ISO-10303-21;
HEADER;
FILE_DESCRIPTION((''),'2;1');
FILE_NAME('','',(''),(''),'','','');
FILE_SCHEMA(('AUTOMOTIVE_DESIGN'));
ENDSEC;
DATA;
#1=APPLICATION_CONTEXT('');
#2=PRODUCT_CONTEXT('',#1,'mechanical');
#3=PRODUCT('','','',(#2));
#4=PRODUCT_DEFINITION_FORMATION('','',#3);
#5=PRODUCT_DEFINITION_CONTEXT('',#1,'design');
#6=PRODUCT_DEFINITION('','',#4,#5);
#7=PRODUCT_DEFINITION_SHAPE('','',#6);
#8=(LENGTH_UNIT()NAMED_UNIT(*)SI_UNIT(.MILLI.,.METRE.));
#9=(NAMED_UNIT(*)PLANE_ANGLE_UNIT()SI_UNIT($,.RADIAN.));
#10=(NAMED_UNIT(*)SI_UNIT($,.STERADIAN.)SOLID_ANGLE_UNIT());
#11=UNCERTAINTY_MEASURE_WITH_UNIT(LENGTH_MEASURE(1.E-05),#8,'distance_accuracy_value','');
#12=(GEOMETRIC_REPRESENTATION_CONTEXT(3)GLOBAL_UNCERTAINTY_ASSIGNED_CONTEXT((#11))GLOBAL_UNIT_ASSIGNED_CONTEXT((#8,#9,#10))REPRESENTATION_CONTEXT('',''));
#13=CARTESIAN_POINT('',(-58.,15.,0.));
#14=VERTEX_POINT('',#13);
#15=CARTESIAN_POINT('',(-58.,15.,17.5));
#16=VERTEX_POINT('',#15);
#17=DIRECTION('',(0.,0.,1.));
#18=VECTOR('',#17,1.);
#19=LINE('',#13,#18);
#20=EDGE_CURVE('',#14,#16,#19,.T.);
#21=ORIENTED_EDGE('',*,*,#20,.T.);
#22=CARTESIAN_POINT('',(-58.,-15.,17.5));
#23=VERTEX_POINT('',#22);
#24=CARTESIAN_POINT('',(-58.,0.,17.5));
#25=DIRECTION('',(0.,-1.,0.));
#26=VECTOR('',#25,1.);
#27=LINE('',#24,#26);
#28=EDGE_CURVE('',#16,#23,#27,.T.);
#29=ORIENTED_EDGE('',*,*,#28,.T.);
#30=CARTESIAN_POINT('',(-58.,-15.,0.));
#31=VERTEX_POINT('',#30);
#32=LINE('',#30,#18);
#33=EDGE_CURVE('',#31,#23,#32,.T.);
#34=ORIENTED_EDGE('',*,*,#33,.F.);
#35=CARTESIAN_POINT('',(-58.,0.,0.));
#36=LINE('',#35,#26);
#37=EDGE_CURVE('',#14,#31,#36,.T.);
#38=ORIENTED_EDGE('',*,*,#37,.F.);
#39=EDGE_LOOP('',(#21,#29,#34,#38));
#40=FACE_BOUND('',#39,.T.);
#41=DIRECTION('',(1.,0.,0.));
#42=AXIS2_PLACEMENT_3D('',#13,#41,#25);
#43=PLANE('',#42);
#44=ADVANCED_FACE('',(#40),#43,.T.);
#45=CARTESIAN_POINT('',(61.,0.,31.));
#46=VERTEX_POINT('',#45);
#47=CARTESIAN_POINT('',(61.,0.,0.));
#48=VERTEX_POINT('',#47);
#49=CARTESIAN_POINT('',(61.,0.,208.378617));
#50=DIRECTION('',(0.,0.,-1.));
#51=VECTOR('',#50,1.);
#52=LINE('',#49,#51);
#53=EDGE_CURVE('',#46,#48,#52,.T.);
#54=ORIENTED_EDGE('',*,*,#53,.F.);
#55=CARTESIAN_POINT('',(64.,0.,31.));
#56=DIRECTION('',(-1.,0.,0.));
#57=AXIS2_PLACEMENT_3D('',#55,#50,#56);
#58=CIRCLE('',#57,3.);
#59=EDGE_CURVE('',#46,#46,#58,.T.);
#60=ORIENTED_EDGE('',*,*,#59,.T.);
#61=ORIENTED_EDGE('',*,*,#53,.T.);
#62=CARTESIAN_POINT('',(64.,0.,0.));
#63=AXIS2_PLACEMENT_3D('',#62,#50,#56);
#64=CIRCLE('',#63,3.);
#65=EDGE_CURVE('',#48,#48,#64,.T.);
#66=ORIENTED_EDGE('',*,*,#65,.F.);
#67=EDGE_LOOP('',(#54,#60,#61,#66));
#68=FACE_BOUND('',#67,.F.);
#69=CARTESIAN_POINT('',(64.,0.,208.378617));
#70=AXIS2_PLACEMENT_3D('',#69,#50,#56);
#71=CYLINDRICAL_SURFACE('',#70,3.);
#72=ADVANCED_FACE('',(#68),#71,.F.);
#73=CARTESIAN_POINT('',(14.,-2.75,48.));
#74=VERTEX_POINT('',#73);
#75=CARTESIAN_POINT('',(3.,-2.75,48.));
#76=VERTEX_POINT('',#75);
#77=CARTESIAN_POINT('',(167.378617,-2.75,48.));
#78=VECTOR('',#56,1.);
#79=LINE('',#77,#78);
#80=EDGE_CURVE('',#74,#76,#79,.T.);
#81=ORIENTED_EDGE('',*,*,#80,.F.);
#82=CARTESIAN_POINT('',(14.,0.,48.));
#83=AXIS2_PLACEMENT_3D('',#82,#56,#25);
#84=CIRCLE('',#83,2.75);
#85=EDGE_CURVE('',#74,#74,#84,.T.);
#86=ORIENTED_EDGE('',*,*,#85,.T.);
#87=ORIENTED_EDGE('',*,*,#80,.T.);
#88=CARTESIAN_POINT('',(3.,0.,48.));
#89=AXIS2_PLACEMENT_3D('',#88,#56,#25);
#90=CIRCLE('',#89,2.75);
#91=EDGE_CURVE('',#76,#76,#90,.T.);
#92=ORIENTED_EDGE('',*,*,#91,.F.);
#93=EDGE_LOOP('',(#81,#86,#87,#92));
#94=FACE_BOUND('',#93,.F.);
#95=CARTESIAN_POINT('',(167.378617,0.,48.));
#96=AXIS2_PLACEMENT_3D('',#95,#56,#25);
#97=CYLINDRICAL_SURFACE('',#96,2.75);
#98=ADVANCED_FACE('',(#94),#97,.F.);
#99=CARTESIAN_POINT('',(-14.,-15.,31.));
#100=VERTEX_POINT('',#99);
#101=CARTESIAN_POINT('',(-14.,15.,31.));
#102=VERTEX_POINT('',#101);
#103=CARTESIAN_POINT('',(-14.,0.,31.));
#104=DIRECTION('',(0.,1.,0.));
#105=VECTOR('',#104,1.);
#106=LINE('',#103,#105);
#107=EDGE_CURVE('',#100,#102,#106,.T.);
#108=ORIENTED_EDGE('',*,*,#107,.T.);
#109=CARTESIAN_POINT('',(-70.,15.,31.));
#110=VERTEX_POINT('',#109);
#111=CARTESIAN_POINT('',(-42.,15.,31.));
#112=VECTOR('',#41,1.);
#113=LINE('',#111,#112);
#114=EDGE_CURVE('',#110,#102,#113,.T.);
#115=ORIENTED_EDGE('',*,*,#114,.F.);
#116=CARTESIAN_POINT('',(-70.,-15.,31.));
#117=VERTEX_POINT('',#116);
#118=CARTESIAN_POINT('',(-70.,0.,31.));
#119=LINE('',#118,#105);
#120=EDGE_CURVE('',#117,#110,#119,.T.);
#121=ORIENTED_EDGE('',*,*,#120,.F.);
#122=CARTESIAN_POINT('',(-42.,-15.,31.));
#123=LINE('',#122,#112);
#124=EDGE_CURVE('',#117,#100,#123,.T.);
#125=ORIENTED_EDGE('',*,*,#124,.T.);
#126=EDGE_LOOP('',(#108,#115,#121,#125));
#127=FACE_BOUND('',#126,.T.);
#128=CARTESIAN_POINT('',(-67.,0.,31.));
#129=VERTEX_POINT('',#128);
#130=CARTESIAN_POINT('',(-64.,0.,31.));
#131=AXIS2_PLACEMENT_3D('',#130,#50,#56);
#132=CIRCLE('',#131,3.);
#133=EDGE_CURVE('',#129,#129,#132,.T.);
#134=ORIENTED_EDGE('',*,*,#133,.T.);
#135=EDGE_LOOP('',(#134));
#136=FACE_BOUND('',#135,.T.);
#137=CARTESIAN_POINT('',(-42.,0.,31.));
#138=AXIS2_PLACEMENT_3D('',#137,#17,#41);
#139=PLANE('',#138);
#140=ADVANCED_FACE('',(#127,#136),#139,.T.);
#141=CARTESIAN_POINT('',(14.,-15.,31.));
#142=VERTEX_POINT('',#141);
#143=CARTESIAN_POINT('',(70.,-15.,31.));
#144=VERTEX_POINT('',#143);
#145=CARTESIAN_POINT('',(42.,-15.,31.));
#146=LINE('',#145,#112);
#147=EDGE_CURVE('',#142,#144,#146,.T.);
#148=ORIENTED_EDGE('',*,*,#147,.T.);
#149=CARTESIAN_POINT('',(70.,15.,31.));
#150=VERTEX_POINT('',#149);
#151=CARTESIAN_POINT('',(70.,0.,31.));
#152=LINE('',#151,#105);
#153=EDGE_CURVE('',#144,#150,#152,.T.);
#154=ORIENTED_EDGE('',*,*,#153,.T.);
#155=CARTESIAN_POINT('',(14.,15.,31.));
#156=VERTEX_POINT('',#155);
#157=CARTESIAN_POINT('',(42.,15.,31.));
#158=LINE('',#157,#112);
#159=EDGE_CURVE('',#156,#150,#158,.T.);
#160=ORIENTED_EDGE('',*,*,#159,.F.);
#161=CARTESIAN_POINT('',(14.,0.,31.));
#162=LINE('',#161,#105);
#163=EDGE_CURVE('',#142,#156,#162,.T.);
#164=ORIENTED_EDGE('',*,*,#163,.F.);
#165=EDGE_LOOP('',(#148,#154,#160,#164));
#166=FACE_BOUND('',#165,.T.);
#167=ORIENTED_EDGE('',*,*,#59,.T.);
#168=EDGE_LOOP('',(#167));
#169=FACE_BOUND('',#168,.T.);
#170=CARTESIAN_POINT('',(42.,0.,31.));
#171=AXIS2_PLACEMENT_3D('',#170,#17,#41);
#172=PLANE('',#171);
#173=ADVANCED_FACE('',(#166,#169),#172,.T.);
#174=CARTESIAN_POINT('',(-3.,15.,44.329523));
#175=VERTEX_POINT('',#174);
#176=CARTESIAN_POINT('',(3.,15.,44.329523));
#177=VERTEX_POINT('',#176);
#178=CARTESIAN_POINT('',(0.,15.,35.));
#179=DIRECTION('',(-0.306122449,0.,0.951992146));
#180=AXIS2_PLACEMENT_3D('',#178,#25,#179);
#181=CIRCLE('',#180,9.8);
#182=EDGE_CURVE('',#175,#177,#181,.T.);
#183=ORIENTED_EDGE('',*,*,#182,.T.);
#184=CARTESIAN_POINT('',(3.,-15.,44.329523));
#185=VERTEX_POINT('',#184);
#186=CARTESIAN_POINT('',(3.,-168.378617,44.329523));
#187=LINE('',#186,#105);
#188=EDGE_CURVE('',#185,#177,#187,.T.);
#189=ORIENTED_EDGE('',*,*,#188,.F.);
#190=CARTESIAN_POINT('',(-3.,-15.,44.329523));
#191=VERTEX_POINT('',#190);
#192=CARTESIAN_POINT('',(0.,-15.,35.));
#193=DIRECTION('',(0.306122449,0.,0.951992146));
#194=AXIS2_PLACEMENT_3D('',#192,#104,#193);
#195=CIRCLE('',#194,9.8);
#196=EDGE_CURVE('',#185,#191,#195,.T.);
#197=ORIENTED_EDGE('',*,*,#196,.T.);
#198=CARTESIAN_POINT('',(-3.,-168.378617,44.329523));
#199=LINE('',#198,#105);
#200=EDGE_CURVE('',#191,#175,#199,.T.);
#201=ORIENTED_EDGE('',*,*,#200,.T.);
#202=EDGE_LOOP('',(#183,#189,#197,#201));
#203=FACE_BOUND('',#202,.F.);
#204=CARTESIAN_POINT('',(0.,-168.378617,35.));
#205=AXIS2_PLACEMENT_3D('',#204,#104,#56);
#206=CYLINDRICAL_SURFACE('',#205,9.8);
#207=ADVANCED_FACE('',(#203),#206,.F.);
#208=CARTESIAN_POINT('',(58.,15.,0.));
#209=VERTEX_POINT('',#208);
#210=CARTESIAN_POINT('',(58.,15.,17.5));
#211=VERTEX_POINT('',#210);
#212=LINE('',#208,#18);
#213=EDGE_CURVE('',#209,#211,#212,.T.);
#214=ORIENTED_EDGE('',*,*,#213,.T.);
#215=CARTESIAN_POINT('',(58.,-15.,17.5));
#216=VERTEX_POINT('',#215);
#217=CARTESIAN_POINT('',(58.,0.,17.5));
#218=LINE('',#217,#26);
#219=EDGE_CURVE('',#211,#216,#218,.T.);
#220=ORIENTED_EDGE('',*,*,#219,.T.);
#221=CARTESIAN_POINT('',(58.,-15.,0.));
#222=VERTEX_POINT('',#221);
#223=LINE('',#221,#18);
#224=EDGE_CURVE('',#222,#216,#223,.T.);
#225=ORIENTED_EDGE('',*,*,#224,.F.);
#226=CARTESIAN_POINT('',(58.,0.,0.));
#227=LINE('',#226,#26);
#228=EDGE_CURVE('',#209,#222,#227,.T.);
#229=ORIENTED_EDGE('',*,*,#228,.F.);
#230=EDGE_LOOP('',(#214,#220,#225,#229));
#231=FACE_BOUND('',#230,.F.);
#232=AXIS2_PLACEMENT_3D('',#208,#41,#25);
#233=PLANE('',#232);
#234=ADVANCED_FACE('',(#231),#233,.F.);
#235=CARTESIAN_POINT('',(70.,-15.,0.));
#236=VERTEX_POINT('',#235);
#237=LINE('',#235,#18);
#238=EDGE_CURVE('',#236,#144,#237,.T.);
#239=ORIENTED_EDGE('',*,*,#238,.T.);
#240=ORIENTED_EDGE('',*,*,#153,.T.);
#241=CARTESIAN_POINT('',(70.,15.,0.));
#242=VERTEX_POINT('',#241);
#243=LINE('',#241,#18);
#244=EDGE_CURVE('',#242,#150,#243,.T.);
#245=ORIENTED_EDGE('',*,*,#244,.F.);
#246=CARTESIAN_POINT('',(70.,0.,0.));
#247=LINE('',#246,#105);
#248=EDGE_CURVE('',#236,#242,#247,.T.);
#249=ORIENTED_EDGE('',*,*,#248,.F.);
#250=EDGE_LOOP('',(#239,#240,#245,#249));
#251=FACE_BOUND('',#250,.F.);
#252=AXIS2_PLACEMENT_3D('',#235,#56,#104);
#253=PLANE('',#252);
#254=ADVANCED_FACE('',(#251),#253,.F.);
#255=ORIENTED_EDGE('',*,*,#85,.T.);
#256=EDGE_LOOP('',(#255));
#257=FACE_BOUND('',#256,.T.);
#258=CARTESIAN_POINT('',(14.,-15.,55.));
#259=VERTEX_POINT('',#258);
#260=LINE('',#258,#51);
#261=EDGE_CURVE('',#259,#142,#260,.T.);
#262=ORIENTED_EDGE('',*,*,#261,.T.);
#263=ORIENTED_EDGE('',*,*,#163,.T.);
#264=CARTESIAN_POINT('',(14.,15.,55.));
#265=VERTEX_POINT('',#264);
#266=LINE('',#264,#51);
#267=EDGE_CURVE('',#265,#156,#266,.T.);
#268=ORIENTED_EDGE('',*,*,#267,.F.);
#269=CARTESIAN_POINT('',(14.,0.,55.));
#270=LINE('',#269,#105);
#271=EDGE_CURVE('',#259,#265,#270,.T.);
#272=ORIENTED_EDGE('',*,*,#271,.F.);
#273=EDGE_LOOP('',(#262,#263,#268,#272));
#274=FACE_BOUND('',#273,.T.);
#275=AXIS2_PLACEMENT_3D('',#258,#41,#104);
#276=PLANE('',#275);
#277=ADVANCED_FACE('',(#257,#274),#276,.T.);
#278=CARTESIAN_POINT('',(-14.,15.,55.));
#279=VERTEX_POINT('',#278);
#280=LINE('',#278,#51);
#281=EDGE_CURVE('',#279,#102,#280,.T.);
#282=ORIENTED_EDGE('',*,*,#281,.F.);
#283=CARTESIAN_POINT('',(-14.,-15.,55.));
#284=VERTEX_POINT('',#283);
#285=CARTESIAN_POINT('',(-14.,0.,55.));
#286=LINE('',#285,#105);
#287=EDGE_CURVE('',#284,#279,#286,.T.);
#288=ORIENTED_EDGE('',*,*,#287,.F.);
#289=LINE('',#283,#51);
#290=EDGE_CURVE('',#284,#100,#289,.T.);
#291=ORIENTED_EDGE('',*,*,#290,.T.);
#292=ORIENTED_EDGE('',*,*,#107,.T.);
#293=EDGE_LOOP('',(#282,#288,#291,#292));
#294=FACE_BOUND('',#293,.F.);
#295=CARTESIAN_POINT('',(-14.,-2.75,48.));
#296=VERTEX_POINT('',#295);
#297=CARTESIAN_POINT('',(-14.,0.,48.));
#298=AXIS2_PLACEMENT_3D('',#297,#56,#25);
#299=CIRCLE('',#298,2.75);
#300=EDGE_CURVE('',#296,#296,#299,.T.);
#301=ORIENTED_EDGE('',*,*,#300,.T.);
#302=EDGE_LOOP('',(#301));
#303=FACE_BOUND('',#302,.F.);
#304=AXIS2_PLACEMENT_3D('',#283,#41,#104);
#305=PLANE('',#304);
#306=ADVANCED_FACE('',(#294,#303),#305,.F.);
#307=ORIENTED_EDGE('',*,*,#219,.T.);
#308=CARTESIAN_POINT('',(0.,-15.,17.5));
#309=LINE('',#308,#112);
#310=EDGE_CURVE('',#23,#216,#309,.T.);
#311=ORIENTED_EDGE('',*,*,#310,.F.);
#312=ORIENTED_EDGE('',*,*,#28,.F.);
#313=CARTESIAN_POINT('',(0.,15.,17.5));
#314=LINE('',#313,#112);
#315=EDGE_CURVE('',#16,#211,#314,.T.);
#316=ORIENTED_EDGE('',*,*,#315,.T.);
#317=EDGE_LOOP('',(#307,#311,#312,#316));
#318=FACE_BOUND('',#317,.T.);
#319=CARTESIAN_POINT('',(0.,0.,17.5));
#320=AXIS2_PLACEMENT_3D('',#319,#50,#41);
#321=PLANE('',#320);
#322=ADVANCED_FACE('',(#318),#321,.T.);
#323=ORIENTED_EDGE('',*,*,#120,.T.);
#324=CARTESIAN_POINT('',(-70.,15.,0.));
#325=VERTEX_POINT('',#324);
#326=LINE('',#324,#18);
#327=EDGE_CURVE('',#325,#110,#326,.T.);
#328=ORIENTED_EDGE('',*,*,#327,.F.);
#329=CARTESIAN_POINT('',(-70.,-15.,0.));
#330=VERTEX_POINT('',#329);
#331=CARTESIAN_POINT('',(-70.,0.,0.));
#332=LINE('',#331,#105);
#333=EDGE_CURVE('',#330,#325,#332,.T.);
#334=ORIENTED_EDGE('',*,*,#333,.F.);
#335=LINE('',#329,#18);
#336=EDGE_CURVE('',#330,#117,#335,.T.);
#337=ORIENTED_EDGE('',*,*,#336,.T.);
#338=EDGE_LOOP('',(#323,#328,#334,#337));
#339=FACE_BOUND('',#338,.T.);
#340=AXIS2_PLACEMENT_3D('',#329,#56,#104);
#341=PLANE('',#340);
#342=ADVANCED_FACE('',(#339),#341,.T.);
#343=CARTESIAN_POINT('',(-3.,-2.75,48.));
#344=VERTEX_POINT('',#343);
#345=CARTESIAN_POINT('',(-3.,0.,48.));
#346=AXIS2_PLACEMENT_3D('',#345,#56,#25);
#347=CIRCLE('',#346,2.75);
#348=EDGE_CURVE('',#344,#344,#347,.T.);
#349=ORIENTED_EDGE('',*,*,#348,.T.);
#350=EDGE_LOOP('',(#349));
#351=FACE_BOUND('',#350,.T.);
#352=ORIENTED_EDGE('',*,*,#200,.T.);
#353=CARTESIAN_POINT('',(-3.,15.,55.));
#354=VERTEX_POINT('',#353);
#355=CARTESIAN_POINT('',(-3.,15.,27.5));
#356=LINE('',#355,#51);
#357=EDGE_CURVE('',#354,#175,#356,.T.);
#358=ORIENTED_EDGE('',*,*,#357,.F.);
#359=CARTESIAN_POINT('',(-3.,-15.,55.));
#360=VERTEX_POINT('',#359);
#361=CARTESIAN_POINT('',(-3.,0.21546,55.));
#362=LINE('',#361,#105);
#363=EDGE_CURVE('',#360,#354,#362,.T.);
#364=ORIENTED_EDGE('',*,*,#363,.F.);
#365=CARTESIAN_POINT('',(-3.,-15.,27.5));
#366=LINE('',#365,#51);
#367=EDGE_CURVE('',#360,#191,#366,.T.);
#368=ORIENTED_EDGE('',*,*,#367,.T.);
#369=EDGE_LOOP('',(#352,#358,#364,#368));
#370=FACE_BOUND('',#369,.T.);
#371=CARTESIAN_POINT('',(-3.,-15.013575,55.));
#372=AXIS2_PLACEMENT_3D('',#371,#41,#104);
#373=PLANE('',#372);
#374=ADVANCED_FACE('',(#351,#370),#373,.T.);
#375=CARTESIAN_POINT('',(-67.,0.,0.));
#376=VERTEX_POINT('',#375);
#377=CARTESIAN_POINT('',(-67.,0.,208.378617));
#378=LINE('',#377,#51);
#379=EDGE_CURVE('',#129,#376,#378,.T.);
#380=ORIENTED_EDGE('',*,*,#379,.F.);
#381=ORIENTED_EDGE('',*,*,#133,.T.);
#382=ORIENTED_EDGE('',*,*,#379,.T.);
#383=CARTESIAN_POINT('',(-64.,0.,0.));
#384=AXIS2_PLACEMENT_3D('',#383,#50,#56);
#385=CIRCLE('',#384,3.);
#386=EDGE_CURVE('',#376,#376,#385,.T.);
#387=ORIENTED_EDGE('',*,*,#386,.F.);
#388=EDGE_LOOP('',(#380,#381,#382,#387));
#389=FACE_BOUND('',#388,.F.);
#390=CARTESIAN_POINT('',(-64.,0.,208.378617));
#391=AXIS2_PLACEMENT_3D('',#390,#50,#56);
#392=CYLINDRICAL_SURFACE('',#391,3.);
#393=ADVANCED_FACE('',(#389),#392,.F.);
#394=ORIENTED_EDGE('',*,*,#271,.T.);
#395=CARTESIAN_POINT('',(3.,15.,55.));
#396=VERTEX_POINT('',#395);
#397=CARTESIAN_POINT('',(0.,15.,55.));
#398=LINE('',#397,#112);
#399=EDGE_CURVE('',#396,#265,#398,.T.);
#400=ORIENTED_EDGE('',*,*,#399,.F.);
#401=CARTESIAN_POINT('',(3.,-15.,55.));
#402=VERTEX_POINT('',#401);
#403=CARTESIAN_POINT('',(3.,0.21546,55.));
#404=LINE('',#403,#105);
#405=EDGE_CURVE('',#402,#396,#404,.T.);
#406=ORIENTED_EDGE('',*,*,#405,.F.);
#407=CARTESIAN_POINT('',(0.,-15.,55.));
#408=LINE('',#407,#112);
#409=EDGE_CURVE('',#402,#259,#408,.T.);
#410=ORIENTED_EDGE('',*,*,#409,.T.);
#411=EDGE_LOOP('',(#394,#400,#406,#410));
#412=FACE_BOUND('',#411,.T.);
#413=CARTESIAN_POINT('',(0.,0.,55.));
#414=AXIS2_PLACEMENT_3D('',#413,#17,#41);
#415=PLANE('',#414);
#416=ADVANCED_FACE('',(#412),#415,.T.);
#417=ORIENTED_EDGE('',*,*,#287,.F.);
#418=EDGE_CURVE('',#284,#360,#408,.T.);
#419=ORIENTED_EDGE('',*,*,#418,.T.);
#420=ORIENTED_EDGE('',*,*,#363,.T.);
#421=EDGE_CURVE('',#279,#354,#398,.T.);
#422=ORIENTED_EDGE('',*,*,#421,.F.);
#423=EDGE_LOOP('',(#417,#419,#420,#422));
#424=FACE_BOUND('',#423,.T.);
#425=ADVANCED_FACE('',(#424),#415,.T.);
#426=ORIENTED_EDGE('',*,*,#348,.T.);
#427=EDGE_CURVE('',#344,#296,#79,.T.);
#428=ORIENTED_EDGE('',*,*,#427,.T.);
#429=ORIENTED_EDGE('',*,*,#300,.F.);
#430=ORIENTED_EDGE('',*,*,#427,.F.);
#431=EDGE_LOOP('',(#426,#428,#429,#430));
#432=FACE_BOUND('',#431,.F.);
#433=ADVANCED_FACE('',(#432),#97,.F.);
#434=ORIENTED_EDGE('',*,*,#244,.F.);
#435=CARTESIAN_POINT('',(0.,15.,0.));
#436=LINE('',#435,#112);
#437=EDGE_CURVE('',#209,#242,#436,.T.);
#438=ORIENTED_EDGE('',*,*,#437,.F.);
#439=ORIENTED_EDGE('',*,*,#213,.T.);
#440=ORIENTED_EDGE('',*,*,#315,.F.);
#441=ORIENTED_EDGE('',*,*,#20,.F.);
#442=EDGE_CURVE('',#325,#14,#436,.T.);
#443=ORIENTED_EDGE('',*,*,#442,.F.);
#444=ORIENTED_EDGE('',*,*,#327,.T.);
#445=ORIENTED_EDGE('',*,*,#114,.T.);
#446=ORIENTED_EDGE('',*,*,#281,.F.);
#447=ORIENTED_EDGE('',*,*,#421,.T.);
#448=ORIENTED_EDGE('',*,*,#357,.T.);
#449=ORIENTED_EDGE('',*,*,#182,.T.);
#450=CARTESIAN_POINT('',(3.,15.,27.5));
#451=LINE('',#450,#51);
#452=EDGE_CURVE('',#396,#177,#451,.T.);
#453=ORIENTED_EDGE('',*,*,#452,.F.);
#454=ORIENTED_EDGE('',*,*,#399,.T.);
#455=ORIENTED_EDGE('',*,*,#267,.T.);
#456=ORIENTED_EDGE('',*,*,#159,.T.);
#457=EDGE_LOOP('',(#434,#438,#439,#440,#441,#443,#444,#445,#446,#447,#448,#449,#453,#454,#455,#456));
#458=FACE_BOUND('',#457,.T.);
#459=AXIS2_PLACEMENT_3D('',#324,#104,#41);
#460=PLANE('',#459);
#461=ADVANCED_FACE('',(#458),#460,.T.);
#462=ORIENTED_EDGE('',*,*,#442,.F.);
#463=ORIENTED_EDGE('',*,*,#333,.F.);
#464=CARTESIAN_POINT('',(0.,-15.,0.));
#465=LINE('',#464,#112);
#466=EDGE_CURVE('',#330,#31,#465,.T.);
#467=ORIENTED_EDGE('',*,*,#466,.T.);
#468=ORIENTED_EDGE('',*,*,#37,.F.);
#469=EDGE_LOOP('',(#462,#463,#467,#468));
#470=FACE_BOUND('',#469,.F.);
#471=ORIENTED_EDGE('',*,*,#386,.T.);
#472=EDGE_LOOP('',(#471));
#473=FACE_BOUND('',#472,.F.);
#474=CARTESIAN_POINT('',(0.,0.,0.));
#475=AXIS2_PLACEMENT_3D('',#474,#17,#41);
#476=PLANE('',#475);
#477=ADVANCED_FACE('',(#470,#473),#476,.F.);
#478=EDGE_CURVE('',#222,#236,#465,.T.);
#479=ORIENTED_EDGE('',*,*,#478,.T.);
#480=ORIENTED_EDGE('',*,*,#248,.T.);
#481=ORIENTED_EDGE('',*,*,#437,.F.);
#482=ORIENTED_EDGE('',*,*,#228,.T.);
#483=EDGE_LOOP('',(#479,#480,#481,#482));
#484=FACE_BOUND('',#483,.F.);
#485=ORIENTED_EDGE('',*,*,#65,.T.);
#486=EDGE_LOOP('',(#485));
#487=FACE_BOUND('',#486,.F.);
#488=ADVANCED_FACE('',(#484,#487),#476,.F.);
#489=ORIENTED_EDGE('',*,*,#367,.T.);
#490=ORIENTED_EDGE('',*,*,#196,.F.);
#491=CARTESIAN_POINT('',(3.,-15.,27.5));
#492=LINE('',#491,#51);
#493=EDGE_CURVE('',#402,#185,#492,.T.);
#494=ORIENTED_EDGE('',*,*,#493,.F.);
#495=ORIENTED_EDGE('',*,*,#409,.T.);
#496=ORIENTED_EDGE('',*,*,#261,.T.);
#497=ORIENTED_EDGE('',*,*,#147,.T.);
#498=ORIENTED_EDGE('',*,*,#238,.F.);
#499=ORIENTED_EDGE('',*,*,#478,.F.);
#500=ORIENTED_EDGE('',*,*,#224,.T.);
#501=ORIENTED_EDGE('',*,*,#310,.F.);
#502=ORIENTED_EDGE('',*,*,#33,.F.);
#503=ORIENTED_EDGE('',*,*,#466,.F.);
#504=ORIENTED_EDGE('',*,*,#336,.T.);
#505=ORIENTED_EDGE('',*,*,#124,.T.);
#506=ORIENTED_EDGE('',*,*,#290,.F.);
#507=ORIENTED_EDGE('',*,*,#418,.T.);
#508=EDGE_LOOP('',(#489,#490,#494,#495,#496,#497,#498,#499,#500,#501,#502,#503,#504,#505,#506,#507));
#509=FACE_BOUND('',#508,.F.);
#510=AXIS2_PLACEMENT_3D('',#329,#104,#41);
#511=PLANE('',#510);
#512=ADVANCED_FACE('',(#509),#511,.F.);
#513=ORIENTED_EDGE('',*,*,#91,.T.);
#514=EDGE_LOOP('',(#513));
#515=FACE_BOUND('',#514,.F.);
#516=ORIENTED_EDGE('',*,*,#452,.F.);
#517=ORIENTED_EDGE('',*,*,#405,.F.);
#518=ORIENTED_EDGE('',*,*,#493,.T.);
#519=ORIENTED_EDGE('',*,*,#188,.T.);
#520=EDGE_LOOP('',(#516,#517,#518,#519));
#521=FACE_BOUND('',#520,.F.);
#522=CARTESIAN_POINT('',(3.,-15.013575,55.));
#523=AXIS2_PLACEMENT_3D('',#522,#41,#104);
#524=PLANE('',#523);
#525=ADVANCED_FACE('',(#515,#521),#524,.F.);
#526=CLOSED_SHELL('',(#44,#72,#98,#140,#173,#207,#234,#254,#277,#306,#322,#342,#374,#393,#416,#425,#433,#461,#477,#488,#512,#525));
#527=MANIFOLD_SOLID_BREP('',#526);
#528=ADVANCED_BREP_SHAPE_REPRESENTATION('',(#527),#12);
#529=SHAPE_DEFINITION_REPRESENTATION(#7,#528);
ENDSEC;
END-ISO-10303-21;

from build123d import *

# Parameters (mm, degrees)
F0_W      = 140
F0_H      = 30
F1_DEPTH  = 55
F2_W      = 116
F2_H      = 30
F3_DEPTH  = 17.5
F5_D      = 19.6
F7_D      = 6
F9_D      = 6
F10_W     = 56
F10_H     = 30
F10_R     = 3
F11_DEPTH = 24
F12_W     = 56
F12_H     = 30
F12_R     = 3
F13_DEPTH = 24
F15_D     = 5.5
F16_W     = 6
F16_H     = 30.458071
F17_DEPTH = 25


with BuildPart() as f1:
    # F0 (on Top) → F1 (new body)
    with BuildSketch(Plane.XY):
        Rectangle(F0_W, F0_H)
    extrude(amount=F1_DEPTH)

    # F2 (on face) → F3 (cut)
    with BuildSketch(Plane(origin=(0, 0, 0), x_dir=(1, 0, 0), z_dir=(0, 0, -1))):
        Rectangle(F2_W, F2_H)
    extrude(amount=-F3_DEPTH, mode=Mode.SUBTRACT)

    # F5 (through all)
    with Locations(Plane.XZ.offset(15)):
        with Locations((0, 35)):
            Hole(F5_D / 2)

    # F7 (through all)
    with Locations(Plane.XY.offset(55)):
        with Locations((-64, 0)):
            Hole(F7_D / 2)

    # F9 (through all)
    with Locations(Plane.XY.offset(55)):
        with Locations((64, 0)):
            Hole(F9_D / 2)

    # F10 (on face) → F11 (cut)
    with BuildSketch(Plane.XY.offset(55)):
        with Locations((-42, 0)):
            Rectangle(F10_W, F10_H)
        with Locations((-64, 0)):
            Circle(F10_R, mode=Mode.SUBTRACT)
    extrude(amount=-F11_DEPTH, mode=Mode.SUBTRACT)

    # F12 (on face) → F13 (cut)
    with BuildSketch(Plane.XY.offset(55)):
        with Locations((42, 0)):
            Rectangle(F12_W, F12_H)
        with Locations((64, 0)):
            Circle(F12_R, mode=Mode.SUBTRACT)
    extrude(amount=-F13_DEPTH, mode=Mode.SUBTRACT)

    # F15 (through all)
    with Locations(Plane.YZ.offset(14)):
        with Locations((0, 48)):
            Hole(F15_D / 2)

    # F16 (on face) → F17 (cut)
    with BuildSketch(Plane.XY.offset(55)):
        with Locations((0, 0.21546)):
            Rectangle(F16_W, F16_H)
    extrude(amount=-F17_DEPTH, mode=Mode.SUBTRACT)


solid = f1.part
